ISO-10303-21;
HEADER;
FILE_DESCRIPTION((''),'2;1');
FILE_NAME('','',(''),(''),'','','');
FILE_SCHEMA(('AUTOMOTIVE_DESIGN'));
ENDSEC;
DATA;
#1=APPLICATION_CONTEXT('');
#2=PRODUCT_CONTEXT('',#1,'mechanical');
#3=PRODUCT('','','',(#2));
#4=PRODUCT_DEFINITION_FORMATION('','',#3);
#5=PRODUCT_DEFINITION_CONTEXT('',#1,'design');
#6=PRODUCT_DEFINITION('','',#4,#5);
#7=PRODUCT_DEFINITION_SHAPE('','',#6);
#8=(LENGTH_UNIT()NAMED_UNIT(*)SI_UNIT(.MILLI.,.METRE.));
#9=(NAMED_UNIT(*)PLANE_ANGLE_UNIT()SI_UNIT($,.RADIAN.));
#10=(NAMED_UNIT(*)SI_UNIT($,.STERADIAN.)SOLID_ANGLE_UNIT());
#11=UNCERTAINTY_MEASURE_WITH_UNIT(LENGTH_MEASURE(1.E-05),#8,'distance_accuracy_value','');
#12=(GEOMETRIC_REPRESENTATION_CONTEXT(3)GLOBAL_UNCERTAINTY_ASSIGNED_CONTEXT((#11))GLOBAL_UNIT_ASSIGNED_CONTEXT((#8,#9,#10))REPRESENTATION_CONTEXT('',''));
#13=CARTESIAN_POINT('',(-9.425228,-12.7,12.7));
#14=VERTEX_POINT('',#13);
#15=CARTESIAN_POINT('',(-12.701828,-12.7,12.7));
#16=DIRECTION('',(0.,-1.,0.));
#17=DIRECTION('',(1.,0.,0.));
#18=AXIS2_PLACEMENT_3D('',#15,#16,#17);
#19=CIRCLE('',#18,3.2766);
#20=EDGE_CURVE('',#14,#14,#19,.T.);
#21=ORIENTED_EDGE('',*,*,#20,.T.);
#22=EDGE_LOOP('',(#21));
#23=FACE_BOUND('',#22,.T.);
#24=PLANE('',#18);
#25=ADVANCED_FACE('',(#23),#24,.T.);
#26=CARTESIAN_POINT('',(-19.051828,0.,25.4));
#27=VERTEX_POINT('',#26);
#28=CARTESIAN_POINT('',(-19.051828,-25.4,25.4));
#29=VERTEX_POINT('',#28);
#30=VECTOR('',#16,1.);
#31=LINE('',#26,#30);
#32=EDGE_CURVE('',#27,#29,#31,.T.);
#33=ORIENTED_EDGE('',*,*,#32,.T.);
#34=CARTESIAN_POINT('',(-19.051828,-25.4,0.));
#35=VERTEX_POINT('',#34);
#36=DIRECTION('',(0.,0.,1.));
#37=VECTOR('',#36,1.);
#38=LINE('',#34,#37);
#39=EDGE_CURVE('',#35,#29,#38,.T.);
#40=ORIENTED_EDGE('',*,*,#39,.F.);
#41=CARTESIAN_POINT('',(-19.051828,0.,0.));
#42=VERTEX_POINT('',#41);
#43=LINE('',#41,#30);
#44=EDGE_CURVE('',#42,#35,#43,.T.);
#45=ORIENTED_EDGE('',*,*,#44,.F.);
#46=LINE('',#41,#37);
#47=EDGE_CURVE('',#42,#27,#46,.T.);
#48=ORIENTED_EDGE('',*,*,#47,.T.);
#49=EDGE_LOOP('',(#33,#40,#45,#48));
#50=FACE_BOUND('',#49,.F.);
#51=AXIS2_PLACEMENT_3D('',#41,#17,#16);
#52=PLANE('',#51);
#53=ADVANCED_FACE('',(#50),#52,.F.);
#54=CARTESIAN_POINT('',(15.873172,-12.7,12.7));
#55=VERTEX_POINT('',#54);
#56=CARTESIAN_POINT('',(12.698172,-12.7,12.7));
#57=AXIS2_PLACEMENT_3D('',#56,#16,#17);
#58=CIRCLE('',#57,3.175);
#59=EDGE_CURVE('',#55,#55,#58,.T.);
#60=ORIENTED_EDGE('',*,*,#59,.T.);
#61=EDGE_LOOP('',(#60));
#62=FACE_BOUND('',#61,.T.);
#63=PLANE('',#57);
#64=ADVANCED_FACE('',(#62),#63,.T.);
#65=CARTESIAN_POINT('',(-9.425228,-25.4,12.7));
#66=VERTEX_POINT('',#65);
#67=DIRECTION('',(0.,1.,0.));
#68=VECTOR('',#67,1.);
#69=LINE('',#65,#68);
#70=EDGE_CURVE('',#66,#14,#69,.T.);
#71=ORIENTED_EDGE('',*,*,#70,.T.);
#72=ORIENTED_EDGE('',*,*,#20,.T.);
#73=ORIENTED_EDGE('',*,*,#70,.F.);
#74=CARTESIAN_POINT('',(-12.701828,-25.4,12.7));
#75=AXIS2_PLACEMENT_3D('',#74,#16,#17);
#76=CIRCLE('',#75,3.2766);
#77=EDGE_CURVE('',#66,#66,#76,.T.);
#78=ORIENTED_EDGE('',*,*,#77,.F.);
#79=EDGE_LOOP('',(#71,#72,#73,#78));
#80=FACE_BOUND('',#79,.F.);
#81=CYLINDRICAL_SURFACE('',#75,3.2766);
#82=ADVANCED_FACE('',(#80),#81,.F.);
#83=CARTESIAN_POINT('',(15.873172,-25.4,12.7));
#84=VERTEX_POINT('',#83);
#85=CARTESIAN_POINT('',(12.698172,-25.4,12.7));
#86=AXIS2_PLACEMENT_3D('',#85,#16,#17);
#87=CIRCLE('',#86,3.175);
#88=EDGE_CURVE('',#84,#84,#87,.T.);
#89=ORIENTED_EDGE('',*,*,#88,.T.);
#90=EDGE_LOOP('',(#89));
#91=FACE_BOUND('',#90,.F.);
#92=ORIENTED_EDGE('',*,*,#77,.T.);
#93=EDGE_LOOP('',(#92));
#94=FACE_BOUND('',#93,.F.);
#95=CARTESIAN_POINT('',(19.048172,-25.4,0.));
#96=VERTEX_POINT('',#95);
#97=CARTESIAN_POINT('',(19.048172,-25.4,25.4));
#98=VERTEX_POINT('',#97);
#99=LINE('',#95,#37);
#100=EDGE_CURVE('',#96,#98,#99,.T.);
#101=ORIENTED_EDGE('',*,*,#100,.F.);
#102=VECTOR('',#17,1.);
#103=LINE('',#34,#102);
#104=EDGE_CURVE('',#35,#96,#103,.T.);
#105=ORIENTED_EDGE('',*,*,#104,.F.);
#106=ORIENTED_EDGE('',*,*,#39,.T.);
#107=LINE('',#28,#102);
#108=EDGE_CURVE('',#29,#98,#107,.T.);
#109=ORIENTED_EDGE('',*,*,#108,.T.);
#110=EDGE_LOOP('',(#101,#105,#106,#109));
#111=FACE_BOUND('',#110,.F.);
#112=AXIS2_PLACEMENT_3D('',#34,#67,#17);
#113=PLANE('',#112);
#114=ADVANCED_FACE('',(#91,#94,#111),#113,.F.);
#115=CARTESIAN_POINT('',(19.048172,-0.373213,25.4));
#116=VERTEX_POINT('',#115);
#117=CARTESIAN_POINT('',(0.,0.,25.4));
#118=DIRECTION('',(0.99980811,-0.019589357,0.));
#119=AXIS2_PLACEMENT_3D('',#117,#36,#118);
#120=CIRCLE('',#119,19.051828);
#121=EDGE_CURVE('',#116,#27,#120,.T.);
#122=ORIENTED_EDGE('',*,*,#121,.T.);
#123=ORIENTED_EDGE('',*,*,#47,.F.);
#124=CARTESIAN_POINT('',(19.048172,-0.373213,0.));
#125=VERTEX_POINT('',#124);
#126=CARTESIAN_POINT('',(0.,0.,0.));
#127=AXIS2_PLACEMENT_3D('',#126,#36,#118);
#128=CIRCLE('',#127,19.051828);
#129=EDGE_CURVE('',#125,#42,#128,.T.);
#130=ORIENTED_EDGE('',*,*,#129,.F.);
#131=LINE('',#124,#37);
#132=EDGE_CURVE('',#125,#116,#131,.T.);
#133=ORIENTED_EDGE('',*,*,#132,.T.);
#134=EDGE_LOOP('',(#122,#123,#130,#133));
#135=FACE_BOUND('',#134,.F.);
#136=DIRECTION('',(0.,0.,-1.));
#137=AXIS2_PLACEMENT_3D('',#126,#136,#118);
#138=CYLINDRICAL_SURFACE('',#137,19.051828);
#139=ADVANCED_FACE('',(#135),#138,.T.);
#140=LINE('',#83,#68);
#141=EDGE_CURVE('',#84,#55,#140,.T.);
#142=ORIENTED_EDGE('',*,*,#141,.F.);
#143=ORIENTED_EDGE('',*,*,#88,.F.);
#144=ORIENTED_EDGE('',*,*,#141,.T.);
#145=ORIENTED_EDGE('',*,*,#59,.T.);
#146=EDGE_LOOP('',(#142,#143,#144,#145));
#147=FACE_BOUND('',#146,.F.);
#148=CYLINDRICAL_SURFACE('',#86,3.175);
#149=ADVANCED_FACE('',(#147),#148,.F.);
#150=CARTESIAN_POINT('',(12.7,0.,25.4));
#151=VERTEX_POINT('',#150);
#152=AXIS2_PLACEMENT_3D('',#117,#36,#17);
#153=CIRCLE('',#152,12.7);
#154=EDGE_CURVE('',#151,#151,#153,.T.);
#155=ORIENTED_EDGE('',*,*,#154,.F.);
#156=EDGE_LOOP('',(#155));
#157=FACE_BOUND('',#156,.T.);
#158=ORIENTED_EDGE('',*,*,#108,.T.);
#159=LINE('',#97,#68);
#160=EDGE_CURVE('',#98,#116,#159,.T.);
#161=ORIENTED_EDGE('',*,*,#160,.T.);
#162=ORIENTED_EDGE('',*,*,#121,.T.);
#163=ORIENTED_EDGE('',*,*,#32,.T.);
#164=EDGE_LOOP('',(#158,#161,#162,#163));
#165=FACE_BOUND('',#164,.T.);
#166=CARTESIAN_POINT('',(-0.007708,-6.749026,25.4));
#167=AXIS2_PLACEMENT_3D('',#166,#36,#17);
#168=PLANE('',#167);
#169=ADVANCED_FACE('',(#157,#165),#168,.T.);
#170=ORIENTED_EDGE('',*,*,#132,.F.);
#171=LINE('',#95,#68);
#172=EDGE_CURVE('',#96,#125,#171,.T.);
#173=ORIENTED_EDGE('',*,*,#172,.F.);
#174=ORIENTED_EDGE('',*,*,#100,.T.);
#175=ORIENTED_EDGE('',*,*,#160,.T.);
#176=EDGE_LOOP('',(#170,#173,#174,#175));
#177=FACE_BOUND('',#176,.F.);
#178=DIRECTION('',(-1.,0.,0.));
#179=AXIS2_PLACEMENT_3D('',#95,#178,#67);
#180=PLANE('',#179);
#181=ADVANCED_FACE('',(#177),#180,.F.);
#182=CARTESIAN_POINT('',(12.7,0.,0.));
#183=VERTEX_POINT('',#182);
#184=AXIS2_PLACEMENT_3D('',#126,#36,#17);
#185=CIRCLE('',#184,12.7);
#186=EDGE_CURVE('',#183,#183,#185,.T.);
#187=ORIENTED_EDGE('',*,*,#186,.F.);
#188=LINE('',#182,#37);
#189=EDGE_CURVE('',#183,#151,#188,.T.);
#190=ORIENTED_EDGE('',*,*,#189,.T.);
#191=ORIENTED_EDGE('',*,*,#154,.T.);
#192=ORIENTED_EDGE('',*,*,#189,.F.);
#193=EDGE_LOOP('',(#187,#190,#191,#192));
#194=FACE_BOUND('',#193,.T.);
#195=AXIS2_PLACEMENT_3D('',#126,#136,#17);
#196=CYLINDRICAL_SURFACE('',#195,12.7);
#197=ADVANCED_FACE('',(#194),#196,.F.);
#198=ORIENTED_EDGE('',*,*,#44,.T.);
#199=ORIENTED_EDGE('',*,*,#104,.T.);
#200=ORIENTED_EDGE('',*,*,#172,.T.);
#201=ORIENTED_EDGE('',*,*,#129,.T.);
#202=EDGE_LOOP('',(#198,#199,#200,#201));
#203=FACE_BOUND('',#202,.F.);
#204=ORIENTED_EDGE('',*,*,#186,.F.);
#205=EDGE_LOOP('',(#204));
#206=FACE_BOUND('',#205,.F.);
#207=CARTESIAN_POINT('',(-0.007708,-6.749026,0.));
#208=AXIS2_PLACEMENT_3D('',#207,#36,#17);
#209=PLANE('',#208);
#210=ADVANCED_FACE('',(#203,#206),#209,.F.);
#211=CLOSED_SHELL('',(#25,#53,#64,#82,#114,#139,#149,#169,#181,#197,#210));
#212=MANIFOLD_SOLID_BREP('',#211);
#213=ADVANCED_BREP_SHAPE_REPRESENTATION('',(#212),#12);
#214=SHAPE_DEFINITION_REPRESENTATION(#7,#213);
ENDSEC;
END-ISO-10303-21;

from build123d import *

# Parameters (mm, degrees)
F0_R     = 12.7
F1_DEPTH = 25.4
F2_R     = 3.2766
F2_R_2   = 3.175
F3_DEPTH = 12.7


with BuildPart() as f1:
    # F0 (on Top) → F1 (new body)
    with BuildSketch(Plane.XY):
        with BuildLine():
            Line((19.048172, -25.4), (19.048172, -0.373213))
            ThreePointArc((19.048172, -0.373213), (0.186616, 19.050914), (-19.051828, 0))
            Line((-19.051828, 0), (-19.051828, -25.4))
            Line((-19.051828, -25.4), (19.048172, -25.4))
        make_face()
        Circle(F0_R, mode=Mode.SUBTRACT)
    extrude(amount=F1_DEPTH)

    # F2 (on face) → F3 (cut)
    with BuildSketch(Plane.XZ.offset(25.4)):
        with Locations((-12.701828, 12.7)):
            Circle(F2_R)
        with Locations((12.698172, 12.7)):
            Circle(F2_R_2)
    extrude(amount=-F3_DEPTH, mode=Mode.SUBTRACT)


solid = f1.part
